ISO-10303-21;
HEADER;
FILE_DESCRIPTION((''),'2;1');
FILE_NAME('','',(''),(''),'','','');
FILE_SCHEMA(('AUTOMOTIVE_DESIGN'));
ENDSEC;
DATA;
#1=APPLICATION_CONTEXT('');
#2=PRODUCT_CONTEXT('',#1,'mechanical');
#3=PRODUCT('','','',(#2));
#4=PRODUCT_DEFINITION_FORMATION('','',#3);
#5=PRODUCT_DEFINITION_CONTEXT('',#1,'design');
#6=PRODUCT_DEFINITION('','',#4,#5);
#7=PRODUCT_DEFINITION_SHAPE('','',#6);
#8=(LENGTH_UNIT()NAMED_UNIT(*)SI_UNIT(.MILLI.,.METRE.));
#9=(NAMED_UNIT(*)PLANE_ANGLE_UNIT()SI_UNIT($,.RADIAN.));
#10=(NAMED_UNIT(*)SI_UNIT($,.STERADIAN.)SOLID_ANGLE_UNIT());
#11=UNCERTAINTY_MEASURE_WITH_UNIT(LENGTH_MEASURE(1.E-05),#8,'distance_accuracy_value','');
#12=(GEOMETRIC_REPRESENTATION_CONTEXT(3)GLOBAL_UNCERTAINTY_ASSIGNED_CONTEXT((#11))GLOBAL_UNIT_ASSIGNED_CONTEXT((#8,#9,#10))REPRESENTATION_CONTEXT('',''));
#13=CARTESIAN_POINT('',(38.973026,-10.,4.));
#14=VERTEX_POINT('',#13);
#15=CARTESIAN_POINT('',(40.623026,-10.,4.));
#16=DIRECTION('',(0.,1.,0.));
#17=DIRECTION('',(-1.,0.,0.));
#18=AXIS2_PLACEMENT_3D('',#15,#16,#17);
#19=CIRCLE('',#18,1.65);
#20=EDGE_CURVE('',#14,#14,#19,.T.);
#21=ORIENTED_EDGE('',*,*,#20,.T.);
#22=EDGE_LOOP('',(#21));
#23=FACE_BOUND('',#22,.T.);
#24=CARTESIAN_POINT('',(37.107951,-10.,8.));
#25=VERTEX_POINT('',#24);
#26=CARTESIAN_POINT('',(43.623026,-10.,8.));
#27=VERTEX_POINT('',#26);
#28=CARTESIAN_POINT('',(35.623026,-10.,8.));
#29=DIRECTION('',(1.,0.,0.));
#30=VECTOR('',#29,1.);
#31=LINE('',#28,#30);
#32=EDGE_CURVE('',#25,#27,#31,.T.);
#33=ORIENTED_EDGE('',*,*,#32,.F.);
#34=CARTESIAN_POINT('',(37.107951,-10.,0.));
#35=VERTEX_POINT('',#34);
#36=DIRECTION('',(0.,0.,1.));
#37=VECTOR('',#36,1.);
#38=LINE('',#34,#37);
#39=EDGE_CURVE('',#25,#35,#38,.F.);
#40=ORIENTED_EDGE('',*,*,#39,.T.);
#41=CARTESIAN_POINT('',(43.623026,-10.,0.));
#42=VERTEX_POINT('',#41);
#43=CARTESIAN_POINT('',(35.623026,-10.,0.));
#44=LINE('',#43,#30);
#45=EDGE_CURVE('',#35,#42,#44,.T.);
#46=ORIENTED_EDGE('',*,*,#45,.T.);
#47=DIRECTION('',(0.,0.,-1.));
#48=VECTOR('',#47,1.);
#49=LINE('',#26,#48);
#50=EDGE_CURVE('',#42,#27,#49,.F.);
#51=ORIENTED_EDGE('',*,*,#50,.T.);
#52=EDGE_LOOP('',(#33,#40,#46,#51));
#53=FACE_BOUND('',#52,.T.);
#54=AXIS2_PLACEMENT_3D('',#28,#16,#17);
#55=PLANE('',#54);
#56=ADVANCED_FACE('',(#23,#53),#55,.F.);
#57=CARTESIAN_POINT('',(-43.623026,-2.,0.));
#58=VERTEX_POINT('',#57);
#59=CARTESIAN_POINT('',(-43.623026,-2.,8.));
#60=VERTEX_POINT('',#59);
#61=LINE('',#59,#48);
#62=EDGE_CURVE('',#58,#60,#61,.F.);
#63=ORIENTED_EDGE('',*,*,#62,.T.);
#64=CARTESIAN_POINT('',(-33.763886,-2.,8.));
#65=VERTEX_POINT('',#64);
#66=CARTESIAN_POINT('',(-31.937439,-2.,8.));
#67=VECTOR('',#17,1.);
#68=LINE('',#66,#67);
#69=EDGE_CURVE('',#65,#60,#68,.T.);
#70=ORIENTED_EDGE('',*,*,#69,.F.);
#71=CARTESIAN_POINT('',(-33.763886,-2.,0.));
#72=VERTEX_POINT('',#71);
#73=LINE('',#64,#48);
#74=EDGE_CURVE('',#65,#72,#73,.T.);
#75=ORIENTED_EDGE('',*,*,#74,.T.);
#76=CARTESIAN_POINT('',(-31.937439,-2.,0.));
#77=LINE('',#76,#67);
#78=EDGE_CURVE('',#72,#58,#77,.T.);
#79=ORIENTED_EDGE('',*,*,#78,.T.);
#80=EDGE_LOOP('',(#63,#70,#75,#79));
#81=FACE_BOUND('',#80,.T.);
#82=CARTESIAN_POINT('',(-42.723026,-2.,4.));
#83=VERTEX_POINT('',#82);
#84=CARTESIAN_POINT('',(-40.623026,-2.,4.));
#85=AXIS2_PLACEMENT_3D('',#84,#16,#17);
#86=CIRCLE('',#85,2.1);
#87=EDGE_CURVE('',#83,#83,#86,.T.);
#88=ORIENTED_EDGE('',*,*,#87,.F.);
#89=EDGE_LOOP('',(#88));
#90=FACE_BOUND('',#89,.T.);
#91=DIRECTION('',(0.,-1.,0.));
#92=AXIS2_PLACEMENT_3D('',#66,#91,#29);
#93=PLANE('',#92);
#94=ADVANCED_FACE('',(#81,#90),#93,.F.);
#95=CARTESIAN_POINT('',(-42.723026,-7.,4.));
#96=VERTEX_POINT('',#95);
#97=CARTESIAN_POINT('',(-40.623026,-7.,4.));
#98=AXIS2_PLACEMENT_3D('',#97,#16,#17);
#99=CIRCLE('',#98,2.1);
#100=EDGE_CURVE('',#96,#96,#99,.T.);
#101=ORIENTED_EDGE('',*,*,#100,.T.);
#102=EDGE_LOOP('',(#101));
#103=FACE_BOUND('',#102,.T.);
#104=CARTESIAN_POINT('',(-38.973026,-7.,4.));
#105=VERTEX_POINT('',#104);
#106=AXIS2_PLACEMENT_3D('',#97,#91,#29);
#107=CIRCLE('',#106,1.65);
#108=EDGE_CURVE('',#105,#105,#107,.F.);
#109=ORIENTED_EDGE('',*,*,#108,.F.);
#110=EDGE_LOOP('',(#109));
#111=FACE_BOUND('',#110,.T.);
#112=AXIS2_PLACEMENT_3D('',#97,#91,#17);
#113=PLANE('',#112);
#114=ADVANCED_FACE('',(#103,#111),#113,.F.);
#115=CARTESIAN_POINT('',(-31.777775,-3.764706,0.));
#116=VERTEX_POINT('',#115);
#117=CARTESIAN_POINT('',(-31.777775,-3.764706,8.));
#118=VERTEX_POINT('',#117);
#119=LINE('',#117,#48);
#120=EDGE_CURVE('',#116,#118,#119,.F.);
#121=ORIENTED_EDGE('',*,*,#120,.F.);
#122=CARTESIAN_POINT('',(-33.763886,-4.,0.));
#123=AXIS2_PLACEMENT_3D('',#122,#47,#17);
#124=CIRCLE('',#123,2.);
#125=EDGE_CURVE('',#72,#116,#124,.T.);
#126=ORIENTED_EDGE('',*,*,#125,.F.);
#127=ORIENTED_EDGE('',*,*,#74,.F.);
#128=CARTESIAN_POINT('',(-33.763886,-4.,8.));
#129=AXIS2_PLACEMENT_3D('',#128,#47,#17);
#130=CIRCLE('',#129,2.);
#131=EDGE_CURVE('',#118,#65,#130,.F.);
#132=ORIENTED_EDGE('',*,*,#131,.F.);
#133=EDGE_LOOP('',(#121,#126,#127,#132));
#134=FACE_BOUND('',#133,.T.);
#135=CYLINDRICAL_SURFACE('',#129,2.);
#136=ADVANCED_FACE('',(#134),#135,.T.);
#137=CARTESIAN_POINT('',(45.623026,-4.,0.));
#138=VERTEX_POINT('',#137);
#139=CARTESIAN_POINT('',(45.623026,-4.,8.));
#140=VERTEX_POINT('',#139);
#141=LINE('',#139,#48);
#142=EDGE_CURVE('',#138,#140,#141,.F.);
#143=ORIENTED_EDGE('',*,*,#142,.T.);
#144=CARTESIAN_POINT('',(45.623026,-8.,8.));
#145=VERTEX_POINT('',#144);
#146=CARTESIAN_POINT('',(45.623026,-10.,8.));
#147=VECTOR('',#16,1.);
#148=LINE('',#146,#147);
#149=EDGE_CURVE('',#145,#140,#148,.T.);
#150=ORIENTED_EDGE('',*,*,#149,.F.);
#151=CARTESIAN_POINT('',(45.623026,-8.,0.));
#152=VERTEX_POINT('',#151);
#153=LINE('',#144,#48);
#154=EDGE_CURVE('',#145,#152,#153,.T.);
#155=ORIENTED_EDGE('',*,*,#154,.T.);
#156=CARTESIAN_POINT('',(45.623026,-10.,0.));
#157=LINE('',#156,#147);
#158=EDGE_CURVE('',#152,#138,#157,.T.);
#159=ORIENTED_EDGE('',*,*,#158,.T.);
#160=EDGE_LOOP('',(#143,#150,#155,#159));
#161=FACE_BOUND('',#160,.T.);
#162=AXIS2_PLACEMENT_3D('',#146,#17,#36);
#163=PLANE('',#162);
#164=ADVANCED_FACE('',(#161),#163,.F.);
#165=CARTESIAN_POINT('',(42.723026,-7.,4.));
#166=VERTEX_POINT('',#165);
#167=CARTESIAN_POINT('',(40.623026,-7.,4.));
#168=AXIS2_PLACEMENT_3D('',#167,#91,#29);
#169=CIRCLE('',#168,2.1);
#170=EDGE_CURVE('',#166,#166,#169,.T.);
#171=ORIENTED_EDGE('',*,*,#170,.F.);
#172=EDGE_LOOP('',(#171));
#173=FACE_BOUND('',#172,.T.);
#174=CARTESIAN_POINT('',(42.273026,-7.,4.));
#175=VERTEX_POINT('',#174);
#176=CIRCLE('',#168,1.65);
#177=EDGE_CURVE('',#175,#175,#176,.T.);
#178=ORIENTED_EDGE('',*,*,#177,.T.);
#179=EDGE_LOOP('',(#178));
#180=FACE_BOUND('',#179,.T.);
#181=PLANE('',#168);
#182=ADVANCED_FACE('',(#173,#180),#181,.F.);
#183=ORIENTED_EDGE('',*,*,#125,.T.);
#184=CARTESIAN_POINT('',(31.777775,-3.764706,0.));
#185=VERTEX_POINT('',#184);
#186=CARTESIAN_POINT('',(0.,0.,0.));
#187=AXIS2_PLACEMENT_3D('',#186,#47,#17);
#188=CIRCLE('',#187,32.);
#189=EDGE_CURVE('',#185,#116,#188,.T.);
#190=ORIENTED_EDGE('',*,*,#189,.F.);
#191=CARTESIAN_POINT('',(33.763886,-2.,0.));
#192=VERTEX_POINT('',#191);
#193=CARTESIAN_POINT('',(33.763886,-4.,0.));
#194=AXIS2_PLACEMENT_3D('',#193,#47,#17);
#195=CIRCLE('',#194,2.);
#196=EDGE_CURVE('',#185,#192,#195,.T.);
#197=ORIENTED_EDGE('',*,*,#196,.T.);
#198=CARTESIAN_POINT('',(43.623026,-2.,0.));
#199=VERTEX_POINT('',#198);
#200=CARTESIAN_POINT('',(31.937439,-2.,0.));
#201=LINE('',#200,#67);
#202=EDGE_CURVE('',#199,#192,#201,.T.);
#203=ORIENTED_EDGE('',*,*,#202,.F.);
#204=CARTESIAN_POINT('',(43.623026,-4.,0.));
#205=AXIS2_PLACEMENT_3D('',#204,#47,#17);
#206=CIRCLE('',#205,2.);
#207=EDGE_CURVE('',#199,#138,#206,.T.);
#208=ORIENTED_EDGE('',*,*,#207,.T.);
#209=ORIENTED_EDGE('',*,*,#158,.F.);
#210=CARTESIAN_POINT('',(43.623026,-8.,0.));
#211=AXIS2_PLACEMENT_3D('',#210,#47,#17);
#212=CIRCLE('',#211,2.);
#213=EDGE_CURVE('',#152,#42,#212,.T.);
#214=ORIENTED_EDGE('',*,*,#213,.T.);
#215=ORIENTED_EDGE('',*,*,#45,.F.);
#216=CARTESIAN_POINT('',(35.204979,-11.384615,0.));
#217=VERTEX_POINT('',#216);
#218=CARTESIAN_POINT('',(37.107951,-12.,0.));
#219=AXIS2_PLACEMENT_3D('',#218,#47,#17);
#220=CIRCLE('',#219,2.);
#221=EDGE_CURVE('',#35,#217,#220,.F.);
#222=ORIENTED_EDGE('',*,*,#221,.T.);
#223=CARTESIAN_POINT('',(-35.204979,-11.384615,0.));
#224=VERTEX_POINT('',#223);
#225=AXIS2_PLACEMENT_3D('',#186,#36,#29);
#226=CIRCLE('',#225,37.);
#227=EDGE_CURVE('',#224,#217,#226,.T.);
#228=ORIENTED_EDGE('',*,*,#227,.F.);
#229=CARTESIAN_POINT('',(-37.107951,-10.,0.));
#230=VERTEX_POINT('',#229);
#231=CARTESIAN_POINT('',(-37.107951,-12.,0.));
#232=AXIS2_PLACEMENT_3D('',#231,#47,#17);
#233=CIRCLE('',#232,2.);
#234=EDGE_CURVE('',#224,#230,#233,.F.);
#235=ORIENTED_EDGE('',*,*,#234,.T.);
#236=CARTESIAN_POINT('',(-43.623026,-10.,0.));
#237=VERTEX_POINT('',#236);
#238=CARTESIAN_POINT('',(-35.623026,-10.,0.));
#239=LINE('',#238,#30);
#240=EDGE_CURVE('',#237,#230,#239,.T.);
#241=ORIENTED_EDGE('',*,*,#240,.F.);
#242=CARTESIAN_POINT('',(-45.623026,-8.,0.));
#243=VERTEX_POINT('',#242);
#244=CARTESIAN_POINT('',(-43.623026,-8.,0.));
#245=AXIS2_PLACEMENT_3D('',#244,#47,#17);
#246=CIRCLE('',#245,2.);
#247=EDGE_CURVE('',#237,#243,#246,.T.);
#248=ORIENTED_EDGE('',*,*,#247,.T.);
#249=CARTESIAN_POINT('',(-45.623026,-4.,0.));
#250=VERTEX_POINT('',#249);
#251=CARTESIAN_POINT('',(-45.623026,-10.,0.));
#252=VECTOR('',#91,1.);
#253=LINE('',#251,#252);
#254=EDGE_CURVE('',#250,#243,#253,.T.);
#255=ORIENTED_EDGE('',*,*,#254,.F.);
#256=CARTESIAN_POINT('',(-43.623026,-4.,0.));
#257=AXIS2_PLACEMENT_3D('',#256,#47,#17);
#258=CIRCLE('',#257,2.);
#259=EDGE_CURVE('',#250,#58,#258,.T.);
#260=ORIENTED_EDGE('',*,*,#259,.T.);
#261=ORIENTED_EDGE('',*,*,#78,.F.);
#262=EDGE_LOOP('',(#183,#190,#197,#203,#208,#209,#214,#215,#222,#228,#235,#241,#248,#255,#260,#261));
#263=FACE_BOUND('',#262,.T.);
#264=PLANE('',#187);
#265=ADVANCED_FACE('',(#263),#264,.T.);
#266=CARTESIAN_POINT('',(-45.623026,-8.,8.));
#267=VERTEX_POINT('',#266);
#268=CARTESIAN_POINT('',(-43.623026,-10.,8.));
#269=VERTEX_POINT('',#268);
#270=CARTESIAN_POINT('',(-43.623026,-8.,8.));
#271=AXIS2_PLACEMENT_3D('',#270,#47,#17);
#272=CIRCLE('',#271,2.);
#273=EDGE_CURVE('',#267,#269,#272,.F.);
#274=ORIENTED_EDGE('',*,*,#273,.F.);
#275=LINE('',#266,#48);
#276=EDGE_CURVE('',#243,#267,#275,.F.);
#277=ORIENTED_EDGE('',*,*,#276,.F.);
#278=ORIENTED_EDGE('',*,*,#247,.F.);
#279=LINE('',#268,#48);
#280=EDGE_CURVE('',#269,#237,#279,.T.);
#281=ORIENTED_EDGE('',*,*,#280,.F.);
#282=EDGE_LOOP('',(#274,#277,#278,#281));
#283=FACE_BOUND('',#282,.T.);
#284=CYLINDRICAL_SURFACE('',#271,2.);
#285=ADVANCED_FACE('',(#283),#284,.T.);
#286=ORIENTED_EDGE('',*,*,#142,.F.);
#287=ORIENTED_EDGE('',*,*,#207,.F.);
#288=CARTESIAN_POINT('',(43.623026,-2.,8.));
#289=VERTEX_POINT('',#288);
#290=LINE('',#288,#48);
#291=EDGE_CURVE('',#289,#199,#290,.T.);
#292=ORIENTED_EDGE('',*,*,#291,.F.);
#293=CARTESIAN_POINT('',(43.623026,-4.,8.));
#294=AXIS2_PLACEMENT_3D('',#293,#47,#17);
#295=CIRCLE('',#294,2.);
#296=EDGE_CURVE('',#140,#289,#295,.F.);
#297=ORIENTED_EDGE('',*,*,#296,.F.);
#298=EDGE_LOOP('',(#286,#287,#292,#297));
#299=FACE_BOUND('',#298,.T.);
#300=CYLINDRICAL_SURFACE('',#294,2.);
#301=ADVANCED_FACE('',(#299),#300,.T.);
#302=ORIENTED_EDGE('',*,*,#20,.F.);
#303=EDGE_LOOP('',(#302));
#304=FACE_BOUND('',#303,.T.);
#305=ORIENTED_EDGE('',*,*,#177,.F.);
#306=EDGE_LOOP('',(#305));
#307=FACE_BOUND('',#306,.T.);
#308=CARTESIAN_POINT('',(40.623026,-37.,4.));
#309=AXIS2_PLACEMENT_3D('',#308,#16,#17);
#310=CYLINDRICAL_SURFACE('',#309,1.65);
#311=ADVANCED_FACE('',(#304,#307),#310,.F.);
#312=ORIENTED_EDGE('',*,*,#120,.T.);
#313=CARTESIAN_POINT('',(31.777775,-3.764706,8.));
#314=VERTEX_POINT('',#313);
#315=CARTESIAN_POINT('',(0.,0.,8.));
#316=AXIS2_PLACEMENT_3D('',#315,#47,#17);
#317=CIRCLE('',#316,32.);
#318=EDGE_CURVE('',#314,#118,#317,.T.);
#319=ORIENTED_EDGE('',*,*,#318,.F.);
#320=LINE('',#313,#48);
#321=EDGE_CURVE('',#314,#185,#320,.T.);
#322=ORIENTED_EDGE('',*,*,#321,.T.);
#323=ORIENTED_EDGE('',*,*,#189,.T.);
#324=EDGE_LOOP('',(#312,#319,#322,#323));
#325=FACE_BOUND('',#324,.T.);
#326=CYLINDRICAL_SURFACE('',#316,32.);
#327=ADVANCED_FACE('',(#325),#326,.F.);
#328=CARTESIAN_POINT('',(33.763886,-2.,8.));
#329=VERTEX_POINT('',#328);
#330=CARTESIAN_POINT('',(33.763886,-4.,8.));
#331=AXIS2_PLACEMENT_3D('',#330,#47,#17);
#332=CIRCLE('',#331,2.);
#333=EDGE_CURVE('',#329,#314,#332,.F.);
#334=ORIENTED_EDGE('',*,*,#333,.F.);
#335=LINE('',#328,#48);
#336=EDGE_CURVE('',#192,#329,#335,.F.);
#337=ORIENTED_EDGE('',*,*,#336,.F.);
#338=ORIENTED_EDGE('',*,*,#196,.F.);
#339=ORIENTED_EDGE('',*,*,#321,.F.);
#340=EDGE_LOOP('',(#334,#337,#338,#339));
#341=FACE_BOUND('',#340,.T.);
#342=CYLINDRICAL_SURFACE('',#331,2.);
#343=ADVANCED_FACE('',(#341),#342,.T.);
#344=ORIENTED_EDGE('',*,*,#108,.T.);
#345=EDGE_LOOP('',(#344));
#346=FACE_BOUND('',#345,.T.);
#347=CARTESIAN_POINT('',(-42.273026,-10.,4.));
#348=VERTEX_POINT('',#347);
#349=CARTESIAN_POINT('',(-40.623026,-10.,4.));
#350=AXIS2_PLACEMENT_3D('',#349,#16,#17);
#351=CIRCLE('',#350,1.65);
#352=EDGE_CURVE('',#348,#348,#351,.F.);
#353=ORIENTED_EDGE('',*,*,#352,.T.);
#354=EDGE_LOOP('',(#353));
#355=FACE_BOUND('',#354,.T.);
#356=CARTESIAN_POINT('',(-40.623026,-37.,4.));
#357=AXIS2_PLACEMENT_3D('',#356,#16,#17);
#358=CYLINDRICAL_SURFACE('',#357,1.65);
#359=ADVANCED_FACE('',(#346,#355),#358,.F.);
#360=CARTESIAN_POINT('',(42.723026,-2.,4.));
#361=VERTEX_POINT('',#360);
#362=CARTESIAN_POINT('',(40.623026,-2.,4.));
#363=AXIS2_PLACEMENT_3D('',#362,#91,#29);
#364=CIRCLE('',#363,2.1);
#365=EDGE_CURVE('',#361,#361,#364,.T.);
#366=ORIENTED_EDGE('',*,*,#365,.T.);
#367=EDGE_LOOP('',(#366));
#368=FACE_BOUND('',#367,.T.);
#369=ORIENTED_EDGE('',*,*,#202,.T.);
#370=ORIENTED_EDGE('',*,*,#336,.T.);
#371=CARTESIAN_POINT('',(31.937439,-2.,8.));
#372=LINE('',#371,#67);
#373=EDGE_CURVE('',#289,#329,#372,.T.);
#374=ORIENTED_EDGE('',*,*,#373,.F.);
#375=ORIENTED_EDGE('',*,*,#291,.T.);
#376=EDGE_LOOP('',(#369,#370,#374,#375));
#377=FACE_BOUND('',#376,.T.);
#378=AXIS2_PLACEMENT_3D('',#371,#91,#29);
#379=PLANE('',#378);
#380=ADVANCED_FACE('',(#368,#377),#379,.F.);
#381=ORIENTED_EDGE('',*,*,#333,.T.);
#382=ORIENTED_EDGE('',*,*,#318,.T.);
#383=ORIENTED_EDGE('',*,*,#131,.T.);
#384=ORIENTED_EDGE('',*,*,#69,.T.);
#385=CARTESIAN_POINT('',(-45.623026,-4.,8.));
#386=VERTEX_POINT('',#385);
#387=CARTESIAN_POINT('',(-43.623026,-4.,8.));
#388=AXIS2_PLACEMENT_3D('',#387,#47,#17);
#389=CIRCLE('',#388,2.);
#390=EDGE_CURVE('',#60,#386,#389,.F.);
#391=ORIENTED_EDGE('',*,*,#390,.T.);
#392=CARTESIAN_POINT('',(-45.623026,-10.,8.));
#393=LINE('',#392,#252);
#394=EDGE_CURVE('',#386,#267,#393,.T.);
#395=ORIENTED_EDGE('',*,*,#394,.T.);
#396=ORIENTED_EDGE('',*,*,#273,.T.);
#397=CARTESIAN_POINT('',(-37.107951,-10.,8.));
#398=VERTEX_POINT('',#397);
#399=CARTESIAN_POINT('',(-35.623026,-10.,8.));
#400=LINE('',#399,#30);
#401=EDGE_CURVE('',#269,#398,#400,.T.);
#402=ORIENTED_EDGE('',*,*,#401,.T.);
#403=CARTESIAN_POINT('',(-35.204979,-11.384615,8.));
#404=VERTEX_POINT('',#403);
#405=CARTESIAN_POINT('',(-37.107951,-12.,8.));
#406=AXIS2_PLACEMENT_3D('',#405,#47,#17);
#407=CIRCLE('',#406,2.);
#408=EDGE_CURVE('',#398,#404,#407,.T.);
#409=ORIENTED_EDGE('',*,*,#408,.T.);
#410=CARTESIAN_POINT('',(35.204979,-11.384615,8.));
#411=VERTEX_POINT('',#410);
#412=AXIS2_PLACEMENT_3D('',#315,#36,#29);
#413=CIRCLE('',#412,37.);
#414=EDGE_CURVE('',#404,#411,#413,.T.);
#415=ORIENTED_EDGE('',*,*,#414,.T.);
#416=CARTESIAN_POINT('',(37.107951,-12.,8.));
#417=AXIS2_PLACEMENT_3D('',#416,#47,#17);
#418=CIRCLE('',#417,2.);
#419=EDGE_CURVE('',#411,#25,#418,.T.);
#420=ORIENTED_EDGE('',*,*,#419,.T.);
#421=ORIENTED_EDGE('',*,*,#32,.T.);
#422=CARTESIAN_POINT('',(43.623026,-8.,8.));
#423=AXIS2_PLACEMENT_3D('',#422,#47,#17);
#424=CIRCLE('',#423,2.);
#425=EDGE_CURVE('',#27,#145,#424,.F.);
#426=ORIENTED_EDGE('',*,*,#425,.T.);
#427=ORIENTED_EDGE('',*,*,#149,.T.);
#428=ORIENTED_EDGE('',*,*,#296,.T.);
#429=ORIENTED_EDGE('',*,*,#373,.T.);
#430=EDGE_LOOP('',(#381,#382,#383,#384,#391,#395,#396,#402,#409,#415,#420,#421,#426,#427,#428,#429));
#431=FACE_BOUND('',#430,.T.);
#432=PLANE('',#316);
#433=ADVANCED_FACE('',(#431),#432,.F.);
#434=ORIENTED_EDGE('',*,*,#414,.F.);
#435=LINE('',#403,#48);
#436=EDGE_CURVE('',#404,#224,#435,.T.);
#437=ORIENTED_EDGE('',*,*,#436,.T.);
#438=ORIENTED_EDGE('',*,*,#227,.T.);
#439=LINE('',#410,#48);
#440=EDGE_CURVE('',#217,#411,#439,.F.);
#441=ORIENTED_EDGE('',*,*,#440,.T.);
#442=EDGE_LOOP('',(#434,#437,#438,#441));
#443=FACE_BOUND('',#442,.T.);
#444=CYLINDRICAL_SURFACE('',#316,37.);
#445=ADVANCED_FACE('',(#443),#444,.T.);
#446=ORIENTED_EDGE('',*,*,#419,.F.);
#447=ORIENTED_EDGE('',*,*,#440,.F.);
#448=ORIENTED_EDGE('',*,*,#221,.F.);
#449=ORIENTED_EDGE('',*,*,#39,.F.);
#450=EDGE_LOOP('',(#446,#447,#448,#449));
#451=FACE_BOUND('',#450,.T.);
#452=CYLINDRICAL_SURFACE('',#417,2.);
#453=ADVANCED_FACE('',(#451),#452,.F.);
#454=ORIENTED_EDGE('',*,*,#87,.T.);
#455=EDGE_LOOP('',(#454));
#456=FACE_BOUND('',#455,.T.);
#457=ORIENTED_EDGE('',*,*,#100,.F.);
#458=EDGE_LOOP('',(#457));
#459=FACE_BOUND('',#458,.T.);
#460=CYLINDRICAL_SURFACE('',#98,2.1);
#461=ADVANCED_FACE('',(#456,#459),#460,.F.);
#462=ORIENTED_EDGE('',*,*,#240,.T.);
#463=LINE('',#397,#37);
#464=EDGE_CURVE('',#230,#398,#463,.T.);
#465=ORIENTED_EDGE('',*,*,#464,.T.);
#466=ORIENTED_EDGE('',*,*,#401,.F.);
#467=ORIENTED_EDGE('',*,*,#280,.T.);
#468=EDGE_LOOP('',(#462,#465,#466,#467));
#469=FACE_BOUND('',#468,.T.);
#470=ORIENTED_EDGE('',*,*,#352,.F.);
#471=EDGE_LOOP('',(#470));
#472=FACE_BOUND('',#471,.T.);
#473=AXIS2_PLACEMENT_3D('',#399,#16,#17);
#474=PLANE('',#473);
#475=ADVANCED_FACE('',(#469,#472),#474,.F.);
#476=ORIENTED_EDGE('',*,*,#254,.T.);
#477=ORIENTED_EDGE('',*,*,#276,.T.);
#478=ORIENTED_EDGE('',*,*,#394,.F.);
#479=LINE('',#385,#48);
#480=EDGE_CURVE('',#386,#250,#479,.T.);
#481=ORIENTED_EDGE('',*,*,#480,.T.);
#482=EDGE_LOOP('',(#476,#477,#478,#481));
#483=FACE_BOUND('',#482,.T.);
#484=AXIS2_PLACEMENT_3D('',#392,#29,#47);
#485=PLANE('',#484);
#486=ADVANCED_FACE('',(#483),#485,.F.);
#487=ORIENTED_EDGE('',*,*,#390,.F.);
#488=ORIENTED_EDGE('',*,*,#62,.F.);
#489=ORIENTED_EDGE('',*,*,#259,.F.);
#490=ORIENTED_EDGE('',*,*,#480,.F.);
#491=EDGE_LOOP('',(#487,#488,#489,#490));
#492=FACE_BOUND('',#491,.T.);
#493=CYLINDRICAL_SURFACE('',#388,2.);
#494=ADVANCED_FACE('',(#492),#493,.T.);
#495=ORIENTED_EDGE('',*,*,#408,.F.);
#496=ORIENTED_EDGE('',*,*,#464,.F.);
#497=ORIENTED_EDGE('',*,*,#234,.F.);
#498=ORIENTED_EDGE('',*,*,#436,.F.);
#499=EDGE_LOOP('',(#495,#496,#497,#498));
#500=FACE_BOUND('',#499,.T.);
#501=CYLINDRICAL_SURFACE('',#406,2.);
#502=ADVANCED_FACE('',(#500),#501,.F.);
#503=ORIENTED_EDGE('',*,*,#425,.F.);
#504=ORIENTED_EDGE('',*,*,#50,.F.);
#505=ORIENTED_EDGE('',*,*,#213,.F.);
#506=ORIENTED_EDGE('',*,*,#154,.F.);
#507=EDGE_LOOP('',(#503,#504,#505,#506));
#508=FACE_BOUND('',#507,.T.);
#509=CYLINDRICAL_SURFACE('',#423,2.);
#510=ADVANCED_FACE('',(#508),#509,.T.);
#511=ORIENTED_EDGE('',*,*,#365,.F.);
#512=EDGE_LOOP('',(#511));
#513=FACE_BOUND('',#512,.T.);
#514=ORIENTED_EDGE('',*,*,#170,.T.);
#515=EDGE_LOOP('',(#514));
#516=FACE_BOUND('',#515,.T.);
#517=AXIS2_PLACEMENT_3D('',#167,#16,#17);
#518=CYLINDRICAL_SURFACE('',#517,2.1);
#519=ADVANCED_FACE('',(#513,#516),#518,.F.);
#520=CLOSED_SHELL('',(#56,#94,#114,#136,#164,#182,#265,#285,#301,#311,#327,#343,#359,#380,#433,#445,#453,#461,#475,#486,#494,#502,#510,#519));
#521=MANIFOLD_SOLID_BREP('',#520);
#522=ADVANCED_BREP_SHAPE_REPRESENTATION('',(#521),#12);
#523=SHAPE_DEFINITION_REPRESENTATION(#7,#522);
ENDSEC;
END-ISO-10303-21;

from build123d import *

# Parameters (mm, degrees)
BOSS_EXTRUDE1_DEPTH = 8
SKETCH5_R           = 2.1
CUT_EXTRUDE1_DEPTH  = 5
SKETCH6_R           = 1.65
CUT_EXTRUDE2_DEPTH  = 36
FILLET1_R           = 2


with BuildPart() as part:
    # Sketch3 → Boss-Extrude1 (new body)
    with BuildSketch(Plane.XY):
        with BuildLine():
            Line((-31.937438845, -2), (-45.623026261, -2))
            Line((-45.623026261, -2), (-45.623026261, -10))
            Line((-45.623026261, -10), (-35.623026261, -10))
            ThreePointArc((-35.623026261, -10), (0, -37), (35.623026261, -10))
            Line((35.623026261, -10), (45.623026261, -10))
            Line((45.623026261, -10), (45.623026261, -2))
            Line((45.623026261, -2), (31.937438845, -2))
            ThreePointArc((31.937438845, -2), (0, -32), (-31.937438845, -2))
        make_face()
    extrude(amount=BOSS_EXTRUDE1_DEPTH)

    # Sketch5 → Cut-Extrude1 (cut)
    with BuildSketch(Plane.XZ.offset(2)):
        with Locations((40.623026261, 4)):
            Circle(SKETCH5_R)
    cut_extrude1 = extrude(amount=CUT_EXTRUDE1_DEPTH, mode=Mode.SUBTRACT)

    # Sketch6 → Cut-Extrude2 (cut, through all)
    with BuildSketch(Plane(origin=(0, -2, 0), x_dir=(1, 0, 0), z_dir=(0, 1, 0))):
        with Locations((40.623026261, -4)):
            Circle(SKETCH6_R)
    cut_extrude2 = extrude(amount=-CUT_EXTRUDE2_DEPTH, mode=Mode.SUBTRACT)

    # Mirror1: Cut-Extrude1, Cut-Extrude2 across plane
    add(cut_extrude1.mirror(Plane(origin=(0, 0, 0), x_dir=(0, 0, 1), z_dir=(1, 0, 0))), mode=Mode.SUBTRACT)
    add(cut_extrude2.mirror(Plane(origin=(0, 0, 0), x_dir=(0, 0, 1), z_dir=(1, 0, 0))), mode=Mode.SUBTRACT)

    # Fillet1
    fillet1_edges = [part.edges().sort_by_distance(p)[0] for p in [
        (-45.623026261, -2, 4),
        (-31.937438845, -2, 4),
        (31.937438845, -2, 4),
        (45.623026261, -2, 4),
        (45.623026261, -10, 4),
        (35.623026261, -10, 4),
        (-35.623026261, -10, 4),
        (-45.623026261, -10, 4),
    ]]
    fillet(fillet1_edges, radius=FILLET1_R)


solid = part.part
